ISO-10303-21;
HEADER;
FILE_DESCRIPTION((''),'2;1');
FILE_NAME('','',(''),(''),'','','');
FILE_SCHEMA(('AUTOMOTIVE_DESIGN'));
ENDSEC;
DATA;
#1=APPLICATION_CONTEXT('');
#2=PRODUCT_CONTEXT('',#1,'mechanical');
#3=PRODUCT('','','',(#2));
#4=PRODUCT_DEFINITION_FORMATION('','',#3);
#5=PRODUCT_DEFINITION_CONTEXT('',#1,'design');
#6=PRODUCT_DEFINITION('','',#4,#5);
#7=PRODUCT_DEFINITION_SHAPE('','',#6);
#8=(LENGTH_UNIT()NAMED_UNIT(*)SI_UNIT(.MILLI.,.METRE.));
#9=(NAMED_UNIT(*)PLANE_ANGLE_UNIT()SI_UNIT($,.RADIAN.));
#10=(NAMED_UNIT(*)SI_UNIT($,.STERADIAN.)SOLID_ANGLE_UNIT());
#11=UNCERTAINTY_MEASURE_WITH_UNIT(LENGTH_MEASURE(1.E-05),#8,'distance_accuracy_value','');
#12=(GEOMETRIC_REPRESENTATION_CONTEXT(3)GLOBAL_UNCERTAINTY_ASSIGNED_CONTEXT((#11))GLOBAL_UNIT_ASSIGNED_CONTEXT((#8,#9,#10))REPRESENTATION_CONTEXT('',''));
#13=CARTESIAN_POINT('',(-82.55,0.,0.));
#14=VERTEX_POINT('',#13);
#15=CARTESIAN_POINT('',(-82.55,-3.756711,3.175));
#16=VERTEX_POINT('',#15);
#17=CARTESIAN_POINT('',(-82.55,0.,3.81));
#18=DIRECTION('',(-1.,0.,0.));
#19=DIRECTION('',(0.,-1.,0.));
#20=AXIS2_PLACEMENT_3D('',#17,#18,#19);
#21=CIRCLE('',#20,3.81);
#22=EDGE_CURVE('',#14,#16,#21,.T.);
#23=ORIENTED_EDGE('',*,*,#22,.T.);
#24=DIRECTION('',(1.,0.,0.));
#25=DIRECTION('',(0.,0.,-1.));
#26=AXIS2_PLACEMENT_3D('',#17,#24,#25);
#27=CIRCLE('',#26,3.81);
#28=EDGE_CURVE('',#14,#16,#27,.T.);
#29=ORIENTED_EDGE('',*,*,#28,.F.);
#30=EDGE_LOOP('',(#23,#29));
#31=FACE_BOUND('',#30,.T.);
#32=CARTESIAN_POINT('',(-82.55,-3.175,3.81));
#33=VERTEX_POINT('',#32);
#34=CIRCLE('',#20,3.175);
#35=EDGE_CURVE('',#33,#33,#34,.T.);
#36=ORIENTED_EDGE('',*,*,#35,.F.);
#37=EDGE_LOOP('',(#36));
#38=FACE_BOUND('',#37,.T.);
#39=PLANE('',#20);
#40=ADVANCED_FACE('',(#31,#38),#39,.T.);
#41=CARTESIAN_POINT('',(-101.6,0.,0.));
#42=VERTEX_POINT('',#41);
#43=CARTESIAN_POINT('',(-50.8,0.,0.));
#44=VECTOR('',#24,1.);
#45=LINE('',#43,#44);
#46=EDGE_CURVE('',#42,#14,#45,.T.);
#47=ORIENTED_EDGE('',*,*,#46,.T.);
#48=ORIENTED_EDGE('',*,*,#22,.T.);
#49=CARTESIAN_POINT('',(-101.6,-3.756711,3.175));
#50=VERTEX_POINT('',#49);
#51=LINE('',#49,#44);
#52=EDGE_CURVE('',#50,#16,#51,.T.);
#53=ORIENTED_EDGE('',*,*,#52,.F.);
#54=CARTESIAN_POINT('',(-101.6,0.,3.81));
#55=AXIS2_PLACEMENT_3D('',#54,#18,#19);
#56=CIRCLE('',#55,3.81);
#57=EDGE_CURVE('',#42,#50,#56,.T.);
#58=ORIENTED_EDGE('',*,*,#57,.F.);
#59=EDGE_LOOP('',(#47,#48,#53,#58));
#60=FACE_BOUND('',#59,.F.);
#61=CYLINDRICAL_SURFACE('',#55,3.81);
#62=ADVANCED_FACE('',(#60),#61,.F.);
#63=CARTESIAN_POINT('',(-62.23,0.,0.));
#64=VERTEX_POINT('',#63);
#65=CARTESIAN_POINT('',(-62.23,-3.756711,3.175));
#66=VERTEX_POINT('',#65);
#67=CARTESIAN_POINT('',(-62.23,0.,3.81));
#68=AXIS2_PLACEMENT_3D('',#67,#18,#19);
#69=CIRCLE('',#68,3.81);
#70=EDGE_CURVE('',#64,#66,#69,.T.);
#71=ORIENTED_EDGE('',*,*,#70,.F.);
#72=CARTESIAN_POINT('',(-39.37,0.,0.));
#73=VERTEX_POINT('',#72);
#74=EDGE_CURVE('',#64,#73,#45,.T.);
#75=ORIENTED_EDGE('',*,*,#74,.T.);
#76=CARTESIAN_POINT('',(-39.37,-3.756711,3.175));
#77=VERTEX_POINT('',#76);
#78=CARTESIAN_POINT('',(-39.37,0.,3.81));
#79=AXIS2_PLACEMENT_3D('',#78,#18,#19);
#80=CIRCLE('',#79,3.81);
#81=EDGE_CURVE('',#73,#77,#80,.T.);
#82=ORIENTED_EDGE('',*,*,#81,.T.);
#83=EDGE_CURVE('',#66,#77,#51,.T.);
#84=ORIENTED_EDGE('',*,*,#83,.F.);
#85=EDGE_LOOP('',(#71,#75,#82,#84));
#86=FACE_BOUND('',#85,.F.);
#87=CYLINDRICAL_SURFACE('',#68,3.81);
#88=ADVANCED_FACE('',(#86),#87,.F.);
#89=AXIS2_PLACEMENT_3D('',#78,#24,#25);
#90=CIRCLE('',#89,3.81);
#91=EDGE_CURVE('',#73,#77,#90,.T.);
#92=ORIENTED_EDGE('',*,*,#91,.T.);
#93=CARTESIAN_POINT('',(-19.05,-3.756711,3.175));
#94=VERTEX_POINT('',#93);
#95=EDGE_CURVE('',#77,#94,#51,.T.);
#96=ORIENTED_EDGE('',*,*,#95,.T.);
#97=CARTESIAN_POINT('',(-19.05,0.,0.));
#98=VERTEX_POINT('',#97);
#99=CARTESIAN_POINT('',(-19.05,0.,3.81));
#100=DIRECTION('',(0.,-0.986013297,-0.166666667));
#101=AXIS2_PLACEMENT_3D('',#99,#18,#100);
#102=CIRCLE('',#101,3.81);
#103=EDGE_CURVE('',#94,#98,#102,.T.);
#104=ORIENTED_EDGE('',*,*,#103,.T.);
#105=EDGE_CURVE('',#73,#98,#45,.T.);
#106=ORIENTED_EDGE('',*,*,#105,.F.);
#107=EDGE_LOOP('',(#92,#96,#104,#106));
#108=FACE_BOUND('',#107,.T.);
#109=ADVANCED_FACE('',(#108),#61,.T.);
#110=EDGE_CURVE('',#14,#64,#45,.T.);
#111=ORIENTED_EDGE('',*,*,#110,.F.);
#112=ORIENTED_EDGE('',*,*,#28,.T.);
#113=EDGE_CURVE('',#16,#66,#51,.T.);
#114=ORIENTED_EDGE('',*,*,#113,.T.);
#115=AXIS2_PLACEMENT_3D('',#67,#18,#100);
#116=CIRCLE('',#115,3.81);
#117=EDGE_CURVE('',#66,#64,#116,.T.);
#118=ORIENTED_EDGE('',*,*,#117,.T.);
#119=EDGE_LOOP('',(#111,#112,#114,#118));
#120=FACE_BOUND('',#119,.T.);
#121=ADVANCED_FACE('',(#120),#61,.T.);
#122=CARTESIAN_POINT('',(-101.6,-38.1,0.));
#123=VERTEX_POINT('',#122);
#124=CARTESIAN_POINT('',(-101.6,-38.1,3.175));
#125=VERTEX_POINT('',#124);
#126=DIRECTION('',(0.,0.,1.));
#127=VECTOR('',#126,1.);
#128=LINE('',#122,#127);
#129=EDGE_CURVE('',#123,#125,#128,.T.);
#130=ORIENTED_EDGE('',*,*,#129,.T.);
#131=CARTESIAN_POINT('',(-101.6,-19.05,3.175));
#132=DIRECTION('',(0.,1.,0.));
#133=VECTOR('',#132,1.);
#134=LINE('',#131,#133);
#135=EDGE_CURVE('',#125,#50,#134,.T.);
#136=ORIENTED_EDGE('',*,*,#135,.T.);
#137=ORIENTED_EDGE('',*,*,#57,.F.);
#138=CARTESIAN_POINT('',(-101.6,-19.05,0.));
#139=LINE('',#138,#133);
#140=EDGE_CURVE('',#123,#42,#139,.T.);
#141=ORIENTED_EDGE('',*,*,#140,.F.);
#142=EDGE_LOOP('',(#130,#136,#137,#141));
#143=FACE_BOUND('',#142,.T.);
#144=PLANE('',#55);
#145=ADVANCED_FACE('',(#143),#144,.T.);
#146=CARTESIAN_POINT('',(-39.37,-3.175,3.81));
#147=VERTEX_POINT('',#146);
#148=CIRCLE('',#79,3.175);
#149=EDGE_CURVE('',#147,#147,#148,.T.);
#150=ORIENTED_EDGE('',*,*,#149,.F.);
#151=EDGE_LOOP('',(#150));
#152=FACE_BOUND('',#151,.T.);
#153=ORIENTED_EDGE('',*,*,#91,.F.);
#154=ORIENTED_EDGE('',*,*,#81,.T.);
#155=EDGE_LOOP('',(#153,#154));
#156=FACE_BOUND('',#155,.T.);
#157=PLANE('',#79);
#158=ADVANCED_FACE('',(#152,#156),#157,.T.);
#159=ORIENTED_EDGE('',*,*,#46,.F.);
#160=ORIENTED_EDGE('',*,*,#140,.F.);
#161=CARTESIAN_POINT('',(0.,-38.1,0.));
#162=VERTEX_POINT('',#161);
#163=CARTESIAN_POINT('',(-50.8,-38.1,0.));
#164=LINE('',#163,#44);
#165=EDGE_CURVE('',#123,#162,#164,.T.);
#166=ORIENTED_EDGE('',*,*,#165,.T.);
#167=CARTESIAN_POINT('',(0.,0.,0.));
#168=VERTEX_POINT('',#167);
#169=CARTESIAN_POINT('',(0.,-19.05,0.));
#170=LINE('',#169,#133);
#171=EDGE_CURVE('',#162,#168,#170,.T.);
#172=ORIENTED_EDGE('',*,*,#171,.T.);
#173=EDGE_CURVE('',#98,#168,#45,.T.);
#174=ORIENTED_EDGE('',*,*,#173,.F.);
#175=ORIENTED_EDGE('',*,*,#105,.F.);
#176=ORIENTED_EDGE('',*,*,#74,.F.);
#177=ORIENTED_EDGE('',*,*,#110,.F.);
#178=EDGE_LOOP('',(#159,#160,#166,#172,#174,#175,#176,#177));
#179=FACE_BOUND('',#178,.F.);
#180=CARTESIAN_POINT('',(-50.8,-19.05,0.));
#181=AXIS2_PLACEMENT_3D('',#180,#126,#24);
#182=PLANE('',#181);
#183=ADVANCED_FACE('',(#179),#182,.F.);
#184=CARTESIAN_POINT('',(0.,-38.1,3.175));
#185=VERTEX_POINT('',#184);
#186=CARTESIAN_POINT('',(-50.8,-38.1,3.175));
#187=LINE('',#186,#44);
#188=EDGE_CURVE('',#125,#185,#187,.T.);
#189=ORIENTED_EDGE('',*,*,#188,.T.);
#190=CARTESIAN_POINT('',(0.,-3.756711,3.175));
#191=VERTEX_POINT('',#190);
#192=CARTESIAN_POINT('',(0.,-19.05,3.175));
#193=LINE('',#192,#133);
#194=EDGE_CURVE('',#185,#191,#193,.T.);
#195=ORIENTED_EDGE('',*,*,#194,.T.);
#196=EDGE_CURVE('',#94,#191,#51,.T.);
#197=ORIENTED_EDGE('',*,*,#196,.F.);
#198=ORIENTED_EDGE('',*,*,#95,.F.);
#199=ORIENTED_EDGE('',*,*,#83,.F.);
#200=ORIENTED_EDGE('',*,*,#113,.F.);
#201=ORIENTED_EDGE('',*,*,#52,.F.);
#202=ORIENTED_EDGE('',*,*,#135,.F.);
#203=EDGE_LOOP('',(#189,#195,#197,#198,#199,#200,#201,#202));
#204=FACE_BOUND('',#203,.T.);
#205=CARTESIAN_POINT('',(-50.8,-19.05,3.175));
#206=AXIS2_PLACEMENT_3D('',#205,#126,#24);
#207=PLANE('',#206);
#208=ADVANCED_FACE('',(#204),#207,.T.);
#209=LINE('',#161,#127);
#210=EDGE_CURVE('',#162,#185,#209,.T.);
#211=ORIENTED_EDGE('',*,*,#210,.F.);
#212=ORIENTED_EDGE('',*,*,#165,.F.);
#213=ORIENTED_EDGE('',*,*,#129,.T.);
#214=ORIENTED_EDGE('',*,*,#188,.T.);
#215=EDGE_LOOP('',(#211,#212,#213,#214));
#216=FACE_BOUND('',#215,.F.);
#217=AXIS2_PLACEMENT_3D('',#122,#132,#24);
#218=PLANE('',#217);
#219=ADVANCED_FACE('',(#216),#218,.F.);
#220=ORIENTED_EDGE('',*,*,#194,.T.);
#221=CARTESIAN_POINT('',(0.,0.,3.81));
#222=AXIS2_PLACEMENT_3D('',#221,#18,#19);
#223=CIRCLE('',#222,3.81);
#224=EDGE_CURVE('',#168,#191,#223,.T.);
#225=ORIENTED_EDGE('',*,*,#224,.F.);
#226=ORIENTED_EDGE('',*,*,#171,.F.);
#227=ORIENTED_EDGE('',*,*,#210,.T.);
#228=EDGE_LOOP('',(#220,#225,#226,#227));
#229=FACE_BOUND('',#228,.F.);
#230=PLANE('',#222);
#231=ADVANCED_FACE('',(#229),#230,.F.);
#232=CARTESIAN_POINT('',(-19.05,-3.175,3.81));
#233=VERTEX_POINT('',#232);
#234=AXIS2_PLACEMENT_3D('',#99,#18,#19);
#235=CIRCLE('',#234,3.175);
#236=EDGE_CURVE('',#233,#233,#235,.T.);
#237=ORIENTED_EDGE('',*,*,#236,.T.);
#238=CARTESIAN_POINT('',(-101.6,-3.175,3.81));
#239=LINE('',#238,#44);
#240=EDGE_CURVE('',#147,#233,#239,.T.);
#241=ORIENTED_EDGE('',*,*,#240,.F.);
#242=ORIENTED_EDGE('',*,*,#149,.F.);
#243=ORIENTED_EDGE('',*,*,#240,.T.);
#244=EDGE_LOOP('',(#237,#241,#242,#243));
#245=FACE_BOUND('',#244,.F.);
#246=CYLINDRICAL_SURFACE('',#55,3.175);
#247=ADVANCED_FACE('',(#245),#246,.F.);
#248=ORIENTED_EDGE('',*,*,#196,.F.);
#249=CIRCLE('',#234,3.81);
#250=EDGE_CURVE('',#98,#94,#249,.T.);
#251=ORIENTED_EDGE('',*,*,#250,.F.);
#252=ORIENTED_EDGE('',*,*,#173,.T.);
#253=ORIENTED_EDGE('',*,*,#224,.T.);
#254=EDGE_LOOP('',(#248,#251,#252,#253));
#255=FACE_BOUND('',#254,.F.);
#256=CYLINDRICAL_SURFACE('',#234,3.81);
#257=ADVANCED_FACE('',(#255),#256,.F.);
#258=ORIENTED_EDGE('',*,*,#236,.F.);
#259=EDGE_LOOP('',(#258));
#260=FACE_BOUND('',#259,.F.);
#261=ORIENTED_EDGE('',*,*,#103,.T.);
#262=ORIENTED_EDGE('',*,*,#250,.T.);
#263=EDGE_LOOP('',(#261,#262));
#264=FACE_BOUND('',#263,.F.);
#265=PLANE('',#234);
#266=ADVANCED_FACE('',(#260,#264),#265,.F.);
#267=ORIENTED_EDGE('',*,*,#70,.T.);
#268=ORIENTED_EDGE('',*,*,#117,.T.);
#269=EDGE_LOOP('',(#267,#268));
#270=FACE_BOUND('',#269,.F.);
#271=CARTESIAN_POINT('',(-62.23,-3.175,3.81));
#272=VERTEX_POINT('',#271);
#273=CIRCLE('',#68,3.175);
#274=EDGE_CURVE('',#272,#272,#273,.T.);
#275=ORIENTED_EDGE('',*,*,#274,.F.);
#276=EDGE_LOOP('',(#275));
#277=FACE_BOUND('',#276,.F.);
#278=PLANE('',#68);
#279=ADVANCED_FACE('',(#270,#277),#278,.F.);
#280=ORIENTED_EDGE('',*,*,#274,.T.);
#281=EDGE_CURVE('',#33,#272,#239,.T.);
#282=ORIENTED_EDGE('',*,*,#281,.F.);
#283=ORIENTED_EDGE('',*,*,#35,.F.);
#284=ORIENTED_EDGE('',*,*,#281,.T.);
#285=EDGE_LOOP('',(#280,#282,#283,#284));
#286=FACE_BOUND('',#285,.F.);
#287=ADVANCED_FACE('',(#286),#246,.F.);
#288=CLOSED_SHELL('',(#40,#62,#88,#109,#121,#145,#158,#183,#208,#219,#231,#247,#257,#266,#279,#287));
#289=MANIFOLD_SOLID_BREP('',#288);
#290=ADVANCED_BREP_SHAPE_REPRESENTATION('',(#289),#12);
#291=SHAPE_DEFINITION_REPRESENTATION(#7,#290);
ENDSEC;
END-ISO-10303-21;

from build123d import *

# Parameters (mm, degrees)
F0_W     = 101.6
F0_H     = 38.1
F1_DEPTH = 3.175
F3_DEPTH = 254
F2_R     = 3.81
F2_R_2   = 3.175
F4_DEPTH = 101.6
F5_DEPTH = 19.05
F6_START = -39.37
F6_DEPTH = 22.86
F7_START = -82.55
F7_DEPTH = 19.05


with BuildPart() as f1:
    # F0 (on Top) → F1 (new body)
    with BuildSketch(Plane.XY):
        with Locations((-50.8, -19.05)):
            Rectangle(F0_W, F0_H)
    extrude(amount=F1_DEPTH)

    # F2 (on face) → F3 (cut)
    with BuildSketch(Plane(origin=(-101.6, 0, 0), x_dir=(0, -1, 0), z_dir=(-1, 0, 0))):
        with BuildLine():
            ThreePointArc((3.7567106623, 3.175), (3.7966542918, 3.4913839483), (3.81, 3.81))
            ThreePointArc((3.81, 3.81), (-2.6940768363, 6.5040768363), (0, 0))
            Line((0, 0), (0, 0.635))
            ThreePointArc((0, 0.635), (-2.2450640303, 6.0550640303), (3.175, 3.81))
            ThreePointArc((3.175, 3.81), (3.1589222858, 3.4908840456), (3.1108519733, 3.175))
            Line((3.1108519733, 3.175), (3.7567106623, 3.175))
        make_face()
        with BuildLine():
            Line((0, 0.635), (0, 0))
            ThreePointArc((0, 0), (2.4593444248, 0.9000644337), (3.7567106623, 3.175))
            Line((3.7567106623, 3.175), (3.1108519733, 3.175))
            ThreePointArc((3.1108519733, 3.175), (2.0080463142, 1.3506555752), (0, 0.635))
        make_face()
        with BuildLine():
            Line((0, 3.175), (0, 0.635))
            ThreePointArc((0, 0.635), (2.0080463142, 1.3506555752), (3.1108519733, 3.175))
            Line((3.1108519733, 3.175), (0, 3.175))
        make_face()
    extrude(amount=-F3_DEPTH, mode=Mode.SUBTRACT)

    # F2 (on face) → F4 (join, through all)
    with BuildSketch(Plane(origin=(-101.6, 0, 0), x_dir=(0, -1, 0), z_dir=(-1, 0, 0))):
        with Locations((0, 3.81)):
            Circle(F2_R)
        with Locations((0, 3.81)):
            Circle(F2_R_2, mode=Mode.SUBTRACT)
    extrude(amount=-F4_DEPTH)

    # F2 (on face) → F5 (cut)
    with BuildSketch(Plane(origin=(-101.6, 0, 0), x_dir=(0, -1, 0), z_dir=(-1, 0, 0))):
        with Locations((0, 3.81)):
            Circle(F2_R)
        with Locations((0, 3.81)):
            Circle(F2_R_2, mode=Mode.SUBTRACT)
    extrude(amount=-F5_DEPTH, mode=Mode.SUBTRACT)

    # F2 (on face) → F6 (cut)
    with BuildSketch(Plane(origin=(-101.6, 0, 0), x_dir=(0, -1, 0), z_dir=(-1, 0, 0)).offset(F6_START)):
        with Locations((0, 3.81)):
            Circle(F2_R)
        with Locations((0, 3.81)):
            Circle(F2_R_2, mode=Mode.SUBTRACT)
    extrude(amount=-F6_DEPTH, mode=Mode.SUBTRACT)

    # F2 (on face) → F7 (cut)
    with BuildSketch(Plane(origin=(-101.6, 0, 0), x_dir=(0, -1, 0), z_dir=(-1, 0, 0)).offset(F7_START)):
        with Locations((0, 3.81)):
            Circle(F2_R)
        with Locations((0, 3.81)):
            Circle(F2_R_2, mode=Mode.SUBTRACT)
    extrude(amount=-F7_DEPTH, mode=Mode.SUBTRACT)


solid = f1.part
